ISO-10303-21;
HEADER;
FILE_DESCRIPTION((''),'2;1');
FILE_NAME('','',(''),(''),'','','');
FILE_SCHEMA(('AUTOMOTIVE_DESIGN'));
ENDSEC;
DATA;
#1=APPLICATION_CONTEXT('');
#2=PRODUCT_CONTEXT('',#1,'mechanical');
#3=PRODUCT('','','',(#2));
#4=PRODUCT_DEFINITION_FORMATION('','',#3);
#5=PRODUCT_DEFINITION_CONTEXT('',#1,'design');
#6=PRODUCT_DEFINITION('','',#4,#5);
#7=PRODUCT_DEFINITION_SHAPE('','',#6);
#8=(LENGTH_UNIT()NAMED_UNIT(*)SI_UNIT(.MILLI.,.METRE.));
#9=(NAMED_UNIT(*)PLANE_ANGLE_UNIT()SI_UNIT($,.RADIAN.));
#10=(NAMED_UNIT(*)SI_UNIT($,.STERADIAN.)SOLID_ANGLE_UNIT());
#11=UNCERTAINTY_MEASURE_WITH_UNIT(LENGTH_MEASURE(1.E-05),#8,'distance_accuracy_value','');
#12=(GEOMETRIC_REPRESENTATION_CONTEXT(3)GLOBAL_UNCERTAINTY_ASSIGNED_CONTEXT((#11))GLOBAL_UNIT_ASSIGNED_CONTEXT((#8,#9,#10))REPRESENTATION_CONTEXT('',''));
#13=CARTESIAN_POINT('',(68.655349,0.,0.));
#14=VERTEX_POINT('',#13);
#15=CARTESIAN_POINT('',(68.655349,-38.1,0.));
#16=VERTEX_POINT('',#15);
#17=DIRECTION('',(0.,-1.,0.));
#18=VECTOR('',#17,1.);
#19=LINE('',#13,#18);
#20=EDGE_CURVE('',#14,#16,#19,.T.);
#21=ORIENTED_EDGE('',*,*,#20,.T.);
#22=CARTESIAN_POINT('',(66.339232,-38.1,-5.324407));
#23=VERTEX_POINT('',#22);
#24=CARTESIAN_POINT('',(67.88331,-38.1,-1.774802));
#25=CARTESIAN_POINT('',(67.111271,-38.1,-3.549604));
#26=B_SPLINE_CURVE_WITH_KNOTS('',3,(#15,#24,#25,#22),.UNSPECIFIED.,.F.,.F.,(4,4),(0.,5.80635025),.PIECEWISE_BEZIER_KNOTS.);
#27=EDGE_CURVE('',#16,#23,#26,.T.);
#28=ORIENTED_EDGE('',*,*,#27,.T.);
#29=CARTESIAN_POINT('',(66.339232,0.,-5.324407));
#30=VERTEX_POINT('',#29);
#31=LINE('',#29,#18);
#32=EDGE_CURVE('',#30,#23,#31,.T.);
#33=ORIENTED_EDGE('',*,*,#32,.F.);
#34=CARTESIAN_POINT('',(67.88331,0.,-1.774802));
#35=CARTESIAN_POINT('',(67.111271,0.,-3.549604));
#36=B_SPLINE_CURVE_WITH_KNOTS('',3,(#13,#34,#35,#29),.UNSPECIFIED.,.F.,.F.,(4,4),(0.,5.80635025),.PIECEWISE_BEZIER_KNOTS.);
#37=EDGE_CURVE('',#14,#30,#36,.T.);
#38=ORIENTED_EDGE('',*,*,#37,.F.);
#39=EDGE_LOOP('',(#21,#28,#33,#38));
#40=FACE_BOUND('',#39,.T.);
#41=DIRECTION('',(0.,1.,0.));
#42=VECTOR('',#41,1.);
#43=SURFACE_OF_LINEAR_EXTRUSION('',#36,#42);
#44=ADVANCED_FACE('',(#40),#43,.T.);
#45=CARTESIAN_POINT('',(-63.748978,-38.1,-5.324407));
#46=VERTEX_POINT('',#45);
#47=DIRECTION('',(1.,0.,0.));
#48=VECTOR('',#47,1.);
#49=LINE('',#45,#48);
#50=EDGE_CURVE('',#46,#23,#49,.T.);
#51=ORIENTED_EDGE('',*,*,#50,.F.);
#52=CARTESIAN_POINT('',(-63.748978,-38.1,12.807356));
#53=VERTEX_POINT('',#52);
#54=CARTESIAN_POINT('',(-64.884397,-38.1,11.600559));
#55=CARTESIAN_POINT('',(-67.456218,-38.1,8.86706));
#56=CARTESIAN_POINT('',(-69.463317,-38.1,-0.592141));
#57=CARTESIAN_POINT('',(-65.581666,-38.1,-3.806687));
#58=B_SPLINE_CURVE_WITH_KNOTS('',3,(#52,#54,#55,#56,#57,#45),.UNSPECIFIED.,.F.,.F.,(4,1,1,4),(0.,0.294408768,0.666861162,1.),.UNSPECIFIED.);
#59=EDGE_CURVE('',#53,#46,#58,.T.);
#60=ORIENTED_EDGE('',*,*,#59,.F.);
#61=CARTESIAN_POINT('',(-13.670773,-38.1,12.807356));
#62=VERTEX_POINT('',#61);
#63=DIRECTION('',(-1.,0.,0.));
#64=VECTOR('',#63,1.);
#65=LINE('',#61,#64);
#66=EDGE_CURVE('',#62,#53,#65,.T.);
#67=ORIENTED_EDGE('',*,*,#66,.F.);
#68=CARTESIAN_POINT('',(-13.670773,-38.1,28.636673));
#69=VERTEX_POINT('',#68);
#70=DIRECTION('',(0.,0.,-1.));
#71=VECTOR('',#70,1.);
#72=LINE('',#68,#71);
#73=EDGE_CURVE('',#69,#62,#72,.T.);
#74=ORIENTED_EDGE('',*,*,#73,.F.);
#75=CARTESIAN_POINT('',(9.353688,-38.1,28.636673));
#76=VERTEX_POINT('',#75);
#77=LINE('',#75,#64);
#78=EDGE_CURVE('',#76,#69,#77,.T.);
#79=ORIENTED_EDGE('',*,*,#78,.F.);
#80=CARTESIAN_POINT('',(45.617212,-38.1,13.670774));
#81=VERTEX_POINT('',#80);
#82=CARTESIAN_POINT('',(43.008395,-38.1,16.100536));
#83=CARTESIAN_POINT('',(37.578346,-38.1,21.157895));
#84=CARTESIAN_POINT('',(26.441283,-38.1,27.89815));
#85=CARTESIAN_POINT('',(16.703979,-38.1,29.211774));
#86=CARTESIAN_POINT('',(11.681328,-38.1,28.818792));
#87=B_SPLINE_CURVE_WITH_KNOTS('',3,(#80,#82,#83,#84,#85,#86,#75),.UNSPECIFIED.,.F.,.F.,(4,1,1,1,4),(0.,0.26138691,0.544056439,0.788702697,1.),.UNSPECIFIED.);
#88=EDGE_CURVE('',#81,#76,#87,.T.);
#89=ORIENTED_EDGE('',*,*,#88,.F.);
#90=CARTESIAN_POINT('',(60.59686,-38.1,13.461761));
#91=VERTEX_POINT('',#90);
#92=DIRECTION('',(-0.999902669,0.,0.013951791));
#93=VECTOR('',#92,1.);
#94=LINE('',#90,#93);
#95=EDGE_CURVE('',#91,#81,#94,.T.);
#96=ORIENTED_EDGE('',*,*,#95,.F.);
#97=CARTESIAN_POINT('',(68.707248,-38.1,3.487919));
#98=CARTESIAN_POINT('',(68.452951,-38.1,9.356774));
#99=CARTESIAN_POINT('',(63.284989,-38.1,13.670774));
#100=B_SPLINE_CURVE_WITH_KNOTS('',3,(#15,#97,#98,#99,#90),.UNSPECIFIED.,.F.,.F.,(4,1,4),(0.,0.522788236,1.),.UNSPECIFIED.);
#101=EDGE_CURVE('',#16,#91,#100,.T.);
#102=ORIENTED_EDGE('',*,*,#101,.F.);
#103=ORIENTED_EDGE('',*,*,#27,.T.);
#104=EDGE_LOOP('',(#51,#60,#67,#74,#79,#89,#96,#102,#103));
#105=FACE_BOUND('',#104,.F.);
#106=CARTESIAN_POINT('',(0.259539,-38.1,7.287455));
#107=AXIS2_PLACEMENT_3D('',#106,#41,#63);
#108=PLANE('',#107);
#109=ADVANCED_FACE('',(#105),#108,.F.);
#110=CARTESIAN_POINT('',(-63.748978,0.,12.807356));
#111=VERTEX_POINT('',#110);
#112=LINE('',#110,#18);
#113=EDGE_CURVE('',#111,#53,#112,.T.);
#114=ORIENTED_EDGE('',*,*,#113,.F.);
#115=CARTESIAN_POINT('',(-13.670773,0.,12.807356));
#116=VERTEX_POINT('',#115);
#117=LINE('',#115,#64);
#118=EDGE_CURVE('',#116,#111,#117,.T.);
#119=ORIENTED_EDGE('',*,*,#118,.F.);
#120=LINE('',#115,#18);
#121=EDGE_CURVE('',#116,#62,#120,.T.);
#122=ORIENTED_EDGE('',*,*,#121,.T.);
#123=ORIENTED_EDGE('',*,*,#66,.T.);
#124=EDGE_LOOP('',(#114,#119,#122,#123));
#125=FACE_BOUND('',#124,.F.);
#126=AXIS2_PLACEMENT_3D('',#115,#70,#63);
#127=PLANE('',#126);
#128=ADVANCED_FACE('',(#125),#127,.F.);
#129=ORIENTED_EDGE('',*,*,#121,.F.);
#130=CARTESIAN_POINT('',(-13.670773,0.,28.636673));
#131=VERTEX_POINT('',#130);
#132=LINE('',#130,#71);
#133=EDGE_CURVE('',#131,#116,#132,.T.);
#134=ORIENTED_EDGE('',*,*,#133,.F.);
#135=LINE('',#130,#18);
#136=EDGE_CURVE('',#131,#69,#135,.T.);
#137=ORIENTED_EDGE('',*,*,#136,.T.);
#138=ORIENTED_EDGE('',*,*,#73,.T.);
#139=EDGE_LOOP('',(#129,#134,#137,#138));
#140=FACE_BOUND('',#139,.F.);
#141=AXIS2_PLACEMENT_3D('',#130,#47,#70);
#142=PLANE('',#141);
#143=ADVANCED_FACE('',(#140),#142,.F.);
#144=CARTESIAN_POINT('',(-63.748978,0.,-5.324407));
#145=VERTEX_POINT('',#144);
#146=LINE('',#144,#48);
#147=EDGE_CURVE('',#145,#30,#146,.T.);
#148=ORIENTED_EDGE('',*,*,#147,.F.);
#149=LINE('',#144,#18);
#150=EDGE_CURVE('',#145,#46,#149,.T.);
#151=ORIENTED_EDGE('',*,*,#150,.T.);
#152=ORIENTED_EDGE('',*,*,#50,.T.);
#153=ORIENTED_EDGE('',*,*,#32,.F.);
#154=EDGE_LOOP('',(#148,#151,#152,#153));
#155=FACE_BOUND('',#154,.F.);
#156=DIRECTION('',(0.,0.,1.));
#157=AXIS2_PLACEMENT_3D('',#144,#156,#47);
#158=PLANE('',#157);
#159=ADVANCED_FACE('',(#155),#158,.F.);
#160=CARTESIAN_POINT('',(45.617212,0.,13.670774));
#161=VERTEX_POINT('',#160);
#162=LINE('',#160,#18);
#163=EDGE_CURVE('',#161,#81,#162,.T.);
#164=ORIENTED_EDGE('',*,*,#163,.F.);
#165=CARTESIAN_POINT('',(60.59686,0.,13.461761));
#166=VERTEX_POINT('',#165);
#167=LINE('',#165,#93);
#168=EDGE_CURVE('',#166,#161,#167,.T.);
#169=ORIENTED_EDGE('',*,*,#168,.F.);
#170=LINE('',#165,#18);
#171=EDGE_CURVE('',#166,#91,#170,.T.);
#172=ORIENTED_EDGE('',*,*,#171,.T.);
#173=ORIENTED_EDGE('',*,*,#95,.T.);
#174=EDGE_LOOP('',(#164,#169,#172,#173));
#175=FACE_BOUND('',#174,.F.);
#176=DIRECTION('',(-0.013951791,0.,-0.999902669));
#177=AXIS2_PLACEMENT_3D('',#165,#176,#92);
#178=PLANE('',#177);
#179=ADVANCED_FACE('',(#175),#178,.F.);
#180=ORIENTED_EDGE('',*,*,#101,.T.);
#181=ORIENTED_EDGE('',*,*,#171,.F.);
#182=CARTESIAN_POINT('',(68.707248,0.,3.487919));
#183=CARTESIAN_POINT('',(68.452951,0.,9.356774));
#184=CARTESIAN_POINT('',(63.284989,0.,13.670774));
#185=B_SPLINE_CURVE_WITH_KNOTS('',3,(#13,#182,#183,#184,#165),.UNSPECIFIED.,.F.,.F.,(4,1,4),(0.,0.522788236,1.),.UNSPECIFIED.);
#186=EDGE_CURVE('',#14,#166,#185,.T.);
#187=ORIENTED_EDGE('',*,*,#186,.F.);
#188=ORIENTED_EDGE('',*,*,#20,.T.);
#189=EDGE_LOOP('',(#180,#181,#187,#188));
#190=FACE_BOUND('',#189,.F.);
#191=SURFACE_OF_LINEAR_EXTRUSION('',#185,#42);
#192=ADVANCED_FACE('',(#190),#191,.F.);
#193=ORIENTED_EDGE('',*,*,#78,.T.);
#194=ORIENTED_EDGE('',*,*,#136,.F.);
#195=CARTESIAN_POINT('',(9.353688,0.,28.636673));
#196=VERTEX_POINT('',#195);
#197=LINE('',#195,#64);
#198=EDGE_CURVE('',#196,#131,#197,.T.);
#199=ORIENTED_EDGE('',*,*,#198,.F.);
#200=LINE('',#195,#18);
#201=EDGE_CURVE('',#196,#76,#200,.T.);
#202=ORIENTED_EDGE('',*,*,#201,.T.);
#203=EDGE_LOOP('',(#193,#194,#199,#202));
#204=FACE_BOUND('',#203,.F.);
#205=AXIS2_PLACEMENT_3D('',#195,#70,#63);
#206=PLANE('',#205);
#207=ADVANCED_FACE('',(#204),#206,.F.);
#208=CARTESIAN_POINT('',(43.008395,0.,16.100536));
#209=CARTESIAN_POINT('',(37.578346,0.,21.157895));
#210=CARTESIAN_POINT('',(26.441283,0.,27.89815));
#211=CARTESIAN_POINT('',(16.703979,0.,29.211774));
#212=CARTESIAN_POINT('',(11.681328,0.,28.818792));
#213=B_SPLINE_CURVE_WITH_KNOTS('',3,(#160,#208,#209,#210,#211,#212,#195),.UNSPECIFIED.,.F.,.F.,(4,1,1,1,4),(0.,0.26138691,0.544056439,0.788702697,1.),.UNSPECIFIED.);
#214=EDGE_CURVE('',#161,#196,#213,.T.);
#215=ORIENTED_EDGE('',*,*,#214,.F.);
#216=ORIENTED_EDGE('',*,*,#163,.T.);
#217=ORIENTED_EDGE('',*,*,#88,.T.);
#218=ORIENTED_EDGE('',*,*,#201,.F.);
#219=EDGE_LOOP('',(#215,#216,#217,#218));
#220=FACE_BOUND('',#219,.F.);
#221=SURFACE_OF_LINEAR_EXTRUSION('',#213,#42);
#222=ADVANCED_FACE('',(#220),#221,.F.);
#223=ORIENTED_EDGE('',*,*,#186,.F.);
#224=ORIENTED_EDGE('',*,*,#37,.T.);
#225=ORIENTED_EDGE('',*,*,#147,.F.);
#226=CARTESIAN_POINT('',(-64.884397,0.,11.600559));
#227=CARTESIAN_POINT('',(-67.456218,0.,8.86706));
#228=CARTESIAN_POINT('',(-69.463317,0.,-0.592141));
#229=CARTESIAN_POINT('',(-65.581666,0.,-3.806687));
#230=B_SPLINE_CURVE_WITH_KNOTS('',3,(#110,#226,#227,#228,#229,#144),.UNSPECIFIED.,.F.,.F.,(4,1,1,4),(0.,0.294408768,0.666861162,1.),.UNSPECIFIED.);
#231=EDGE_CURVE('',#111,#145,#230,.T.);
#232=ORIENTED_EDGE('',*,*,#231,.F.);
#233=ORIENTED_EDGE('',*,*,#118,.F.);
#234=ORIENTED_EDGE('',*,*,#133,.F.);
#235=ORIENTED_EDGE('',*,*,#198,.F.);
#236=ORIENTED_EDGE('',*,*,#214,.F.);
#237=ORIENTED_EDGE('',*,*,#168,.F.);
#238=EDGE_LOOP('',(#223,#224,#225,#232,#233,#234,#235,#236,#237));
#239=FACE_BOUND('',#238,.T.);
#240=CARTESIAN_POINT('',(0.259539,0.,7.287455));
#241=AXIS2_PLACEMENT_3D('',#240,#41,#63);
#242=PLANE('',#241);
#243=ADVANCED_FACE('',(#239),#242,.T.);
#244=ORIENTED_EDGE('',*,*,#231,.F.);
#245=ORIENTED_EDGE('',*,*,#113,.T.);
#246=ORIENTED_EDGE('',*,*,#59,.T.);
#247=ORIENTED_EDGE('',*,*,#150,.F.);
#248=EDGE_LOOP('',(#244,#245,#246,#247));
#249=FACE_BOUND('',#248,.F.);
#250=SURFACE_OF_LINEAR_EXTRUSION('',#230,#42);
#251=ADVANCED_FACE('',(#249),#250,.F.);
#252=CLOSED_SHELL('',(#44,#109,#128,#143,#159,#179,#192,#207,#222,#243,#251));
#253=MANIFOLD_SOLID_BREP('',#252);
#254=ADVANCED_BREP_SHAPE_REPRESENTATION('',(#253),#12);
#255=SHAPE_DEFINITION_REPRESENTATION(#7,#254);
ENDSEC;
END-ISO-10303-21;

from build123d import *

# Parameters (mm, degrees)
F1_DEPTH = 38.1


with BuildPart() as f1:
    # F0 (on Front) → F1 (new body)
    with BuildSketch(Plane.XZ):
        with BuildLine():
            add(Edge.make_bspline(
                [(68.6553490639, 0), (67.8833100518, -1.7748021831), (67.1112710397, -3.5496043662), (66.3392320275, -5.3244065493)],
                knots=[0, 0, 0, 0, 5.8063502503, 5.8063502503, 5.8063502503, 5.8063502503], degree=3))
            add(Edge.make_bspline(
                [(68.6553490639, 0), (68.707247909, 3.4879189514), (68.4529513003, 9.3567744092), (63.2849889631, 13.6707741767), (60.5968596619, 13.4617609131)],
                knots=[0, 0, 0, 0, 0.522788236, 1, 1, 1, 1], degree=3))
            Line((60.5968596619, 13.4617609131), (45.6172116101, 13.6707741767))
            add(Edge.make_bspline(
                [(45.6172116101, 13.6707741767), (43.0083947662, 16.1005357318), (37.5783462559, 21.1578946428), (26.441282578, 27.898149577), (16.7039788369, 29.2117741809), (11.6813281493, 28.8187924523), (9.3536879867, 28.6366734654)],
                knots=[0, 0, 0, 0, 0.26138691, 0.5440564386, 0.7887026968, 1, 1, 1, 1], degree=3))
            Line((9.3536879867, 28.6366734654), (0, 28.6366734654))
            Line((0, 28.6366734654), (-13.6707732454, 28.6366734654))
            Line((-13.6707732454, 28.6366734654), (-13.6707732454, 12.8073561937))
            Line((-13.6707732454, 12.8073561937), (-63.7489780784, 12.8073561937))
            add(Edge.make_bspline(
                [(-63.7489780784, 12.8073561937), (-64.8843970064, 11.6005592617), (-67.4562184604, 8.8670604943), (-69.4633168913, -0.5921410666), (-65.5816661345, -3.8066865274), (-63.7489780784, -5.3244065493)],
                knots=[0, 0, 0, 0, 0.2944087678, 0.6668611617, 1, 1, 1, 1], degree=3))
            Line((-63.7489780784, -5.3244065493), (66.3392320275, -5.3244065493))
        make_face()
    extrude(amount=F1_DEPTH)


solid = f1.part
